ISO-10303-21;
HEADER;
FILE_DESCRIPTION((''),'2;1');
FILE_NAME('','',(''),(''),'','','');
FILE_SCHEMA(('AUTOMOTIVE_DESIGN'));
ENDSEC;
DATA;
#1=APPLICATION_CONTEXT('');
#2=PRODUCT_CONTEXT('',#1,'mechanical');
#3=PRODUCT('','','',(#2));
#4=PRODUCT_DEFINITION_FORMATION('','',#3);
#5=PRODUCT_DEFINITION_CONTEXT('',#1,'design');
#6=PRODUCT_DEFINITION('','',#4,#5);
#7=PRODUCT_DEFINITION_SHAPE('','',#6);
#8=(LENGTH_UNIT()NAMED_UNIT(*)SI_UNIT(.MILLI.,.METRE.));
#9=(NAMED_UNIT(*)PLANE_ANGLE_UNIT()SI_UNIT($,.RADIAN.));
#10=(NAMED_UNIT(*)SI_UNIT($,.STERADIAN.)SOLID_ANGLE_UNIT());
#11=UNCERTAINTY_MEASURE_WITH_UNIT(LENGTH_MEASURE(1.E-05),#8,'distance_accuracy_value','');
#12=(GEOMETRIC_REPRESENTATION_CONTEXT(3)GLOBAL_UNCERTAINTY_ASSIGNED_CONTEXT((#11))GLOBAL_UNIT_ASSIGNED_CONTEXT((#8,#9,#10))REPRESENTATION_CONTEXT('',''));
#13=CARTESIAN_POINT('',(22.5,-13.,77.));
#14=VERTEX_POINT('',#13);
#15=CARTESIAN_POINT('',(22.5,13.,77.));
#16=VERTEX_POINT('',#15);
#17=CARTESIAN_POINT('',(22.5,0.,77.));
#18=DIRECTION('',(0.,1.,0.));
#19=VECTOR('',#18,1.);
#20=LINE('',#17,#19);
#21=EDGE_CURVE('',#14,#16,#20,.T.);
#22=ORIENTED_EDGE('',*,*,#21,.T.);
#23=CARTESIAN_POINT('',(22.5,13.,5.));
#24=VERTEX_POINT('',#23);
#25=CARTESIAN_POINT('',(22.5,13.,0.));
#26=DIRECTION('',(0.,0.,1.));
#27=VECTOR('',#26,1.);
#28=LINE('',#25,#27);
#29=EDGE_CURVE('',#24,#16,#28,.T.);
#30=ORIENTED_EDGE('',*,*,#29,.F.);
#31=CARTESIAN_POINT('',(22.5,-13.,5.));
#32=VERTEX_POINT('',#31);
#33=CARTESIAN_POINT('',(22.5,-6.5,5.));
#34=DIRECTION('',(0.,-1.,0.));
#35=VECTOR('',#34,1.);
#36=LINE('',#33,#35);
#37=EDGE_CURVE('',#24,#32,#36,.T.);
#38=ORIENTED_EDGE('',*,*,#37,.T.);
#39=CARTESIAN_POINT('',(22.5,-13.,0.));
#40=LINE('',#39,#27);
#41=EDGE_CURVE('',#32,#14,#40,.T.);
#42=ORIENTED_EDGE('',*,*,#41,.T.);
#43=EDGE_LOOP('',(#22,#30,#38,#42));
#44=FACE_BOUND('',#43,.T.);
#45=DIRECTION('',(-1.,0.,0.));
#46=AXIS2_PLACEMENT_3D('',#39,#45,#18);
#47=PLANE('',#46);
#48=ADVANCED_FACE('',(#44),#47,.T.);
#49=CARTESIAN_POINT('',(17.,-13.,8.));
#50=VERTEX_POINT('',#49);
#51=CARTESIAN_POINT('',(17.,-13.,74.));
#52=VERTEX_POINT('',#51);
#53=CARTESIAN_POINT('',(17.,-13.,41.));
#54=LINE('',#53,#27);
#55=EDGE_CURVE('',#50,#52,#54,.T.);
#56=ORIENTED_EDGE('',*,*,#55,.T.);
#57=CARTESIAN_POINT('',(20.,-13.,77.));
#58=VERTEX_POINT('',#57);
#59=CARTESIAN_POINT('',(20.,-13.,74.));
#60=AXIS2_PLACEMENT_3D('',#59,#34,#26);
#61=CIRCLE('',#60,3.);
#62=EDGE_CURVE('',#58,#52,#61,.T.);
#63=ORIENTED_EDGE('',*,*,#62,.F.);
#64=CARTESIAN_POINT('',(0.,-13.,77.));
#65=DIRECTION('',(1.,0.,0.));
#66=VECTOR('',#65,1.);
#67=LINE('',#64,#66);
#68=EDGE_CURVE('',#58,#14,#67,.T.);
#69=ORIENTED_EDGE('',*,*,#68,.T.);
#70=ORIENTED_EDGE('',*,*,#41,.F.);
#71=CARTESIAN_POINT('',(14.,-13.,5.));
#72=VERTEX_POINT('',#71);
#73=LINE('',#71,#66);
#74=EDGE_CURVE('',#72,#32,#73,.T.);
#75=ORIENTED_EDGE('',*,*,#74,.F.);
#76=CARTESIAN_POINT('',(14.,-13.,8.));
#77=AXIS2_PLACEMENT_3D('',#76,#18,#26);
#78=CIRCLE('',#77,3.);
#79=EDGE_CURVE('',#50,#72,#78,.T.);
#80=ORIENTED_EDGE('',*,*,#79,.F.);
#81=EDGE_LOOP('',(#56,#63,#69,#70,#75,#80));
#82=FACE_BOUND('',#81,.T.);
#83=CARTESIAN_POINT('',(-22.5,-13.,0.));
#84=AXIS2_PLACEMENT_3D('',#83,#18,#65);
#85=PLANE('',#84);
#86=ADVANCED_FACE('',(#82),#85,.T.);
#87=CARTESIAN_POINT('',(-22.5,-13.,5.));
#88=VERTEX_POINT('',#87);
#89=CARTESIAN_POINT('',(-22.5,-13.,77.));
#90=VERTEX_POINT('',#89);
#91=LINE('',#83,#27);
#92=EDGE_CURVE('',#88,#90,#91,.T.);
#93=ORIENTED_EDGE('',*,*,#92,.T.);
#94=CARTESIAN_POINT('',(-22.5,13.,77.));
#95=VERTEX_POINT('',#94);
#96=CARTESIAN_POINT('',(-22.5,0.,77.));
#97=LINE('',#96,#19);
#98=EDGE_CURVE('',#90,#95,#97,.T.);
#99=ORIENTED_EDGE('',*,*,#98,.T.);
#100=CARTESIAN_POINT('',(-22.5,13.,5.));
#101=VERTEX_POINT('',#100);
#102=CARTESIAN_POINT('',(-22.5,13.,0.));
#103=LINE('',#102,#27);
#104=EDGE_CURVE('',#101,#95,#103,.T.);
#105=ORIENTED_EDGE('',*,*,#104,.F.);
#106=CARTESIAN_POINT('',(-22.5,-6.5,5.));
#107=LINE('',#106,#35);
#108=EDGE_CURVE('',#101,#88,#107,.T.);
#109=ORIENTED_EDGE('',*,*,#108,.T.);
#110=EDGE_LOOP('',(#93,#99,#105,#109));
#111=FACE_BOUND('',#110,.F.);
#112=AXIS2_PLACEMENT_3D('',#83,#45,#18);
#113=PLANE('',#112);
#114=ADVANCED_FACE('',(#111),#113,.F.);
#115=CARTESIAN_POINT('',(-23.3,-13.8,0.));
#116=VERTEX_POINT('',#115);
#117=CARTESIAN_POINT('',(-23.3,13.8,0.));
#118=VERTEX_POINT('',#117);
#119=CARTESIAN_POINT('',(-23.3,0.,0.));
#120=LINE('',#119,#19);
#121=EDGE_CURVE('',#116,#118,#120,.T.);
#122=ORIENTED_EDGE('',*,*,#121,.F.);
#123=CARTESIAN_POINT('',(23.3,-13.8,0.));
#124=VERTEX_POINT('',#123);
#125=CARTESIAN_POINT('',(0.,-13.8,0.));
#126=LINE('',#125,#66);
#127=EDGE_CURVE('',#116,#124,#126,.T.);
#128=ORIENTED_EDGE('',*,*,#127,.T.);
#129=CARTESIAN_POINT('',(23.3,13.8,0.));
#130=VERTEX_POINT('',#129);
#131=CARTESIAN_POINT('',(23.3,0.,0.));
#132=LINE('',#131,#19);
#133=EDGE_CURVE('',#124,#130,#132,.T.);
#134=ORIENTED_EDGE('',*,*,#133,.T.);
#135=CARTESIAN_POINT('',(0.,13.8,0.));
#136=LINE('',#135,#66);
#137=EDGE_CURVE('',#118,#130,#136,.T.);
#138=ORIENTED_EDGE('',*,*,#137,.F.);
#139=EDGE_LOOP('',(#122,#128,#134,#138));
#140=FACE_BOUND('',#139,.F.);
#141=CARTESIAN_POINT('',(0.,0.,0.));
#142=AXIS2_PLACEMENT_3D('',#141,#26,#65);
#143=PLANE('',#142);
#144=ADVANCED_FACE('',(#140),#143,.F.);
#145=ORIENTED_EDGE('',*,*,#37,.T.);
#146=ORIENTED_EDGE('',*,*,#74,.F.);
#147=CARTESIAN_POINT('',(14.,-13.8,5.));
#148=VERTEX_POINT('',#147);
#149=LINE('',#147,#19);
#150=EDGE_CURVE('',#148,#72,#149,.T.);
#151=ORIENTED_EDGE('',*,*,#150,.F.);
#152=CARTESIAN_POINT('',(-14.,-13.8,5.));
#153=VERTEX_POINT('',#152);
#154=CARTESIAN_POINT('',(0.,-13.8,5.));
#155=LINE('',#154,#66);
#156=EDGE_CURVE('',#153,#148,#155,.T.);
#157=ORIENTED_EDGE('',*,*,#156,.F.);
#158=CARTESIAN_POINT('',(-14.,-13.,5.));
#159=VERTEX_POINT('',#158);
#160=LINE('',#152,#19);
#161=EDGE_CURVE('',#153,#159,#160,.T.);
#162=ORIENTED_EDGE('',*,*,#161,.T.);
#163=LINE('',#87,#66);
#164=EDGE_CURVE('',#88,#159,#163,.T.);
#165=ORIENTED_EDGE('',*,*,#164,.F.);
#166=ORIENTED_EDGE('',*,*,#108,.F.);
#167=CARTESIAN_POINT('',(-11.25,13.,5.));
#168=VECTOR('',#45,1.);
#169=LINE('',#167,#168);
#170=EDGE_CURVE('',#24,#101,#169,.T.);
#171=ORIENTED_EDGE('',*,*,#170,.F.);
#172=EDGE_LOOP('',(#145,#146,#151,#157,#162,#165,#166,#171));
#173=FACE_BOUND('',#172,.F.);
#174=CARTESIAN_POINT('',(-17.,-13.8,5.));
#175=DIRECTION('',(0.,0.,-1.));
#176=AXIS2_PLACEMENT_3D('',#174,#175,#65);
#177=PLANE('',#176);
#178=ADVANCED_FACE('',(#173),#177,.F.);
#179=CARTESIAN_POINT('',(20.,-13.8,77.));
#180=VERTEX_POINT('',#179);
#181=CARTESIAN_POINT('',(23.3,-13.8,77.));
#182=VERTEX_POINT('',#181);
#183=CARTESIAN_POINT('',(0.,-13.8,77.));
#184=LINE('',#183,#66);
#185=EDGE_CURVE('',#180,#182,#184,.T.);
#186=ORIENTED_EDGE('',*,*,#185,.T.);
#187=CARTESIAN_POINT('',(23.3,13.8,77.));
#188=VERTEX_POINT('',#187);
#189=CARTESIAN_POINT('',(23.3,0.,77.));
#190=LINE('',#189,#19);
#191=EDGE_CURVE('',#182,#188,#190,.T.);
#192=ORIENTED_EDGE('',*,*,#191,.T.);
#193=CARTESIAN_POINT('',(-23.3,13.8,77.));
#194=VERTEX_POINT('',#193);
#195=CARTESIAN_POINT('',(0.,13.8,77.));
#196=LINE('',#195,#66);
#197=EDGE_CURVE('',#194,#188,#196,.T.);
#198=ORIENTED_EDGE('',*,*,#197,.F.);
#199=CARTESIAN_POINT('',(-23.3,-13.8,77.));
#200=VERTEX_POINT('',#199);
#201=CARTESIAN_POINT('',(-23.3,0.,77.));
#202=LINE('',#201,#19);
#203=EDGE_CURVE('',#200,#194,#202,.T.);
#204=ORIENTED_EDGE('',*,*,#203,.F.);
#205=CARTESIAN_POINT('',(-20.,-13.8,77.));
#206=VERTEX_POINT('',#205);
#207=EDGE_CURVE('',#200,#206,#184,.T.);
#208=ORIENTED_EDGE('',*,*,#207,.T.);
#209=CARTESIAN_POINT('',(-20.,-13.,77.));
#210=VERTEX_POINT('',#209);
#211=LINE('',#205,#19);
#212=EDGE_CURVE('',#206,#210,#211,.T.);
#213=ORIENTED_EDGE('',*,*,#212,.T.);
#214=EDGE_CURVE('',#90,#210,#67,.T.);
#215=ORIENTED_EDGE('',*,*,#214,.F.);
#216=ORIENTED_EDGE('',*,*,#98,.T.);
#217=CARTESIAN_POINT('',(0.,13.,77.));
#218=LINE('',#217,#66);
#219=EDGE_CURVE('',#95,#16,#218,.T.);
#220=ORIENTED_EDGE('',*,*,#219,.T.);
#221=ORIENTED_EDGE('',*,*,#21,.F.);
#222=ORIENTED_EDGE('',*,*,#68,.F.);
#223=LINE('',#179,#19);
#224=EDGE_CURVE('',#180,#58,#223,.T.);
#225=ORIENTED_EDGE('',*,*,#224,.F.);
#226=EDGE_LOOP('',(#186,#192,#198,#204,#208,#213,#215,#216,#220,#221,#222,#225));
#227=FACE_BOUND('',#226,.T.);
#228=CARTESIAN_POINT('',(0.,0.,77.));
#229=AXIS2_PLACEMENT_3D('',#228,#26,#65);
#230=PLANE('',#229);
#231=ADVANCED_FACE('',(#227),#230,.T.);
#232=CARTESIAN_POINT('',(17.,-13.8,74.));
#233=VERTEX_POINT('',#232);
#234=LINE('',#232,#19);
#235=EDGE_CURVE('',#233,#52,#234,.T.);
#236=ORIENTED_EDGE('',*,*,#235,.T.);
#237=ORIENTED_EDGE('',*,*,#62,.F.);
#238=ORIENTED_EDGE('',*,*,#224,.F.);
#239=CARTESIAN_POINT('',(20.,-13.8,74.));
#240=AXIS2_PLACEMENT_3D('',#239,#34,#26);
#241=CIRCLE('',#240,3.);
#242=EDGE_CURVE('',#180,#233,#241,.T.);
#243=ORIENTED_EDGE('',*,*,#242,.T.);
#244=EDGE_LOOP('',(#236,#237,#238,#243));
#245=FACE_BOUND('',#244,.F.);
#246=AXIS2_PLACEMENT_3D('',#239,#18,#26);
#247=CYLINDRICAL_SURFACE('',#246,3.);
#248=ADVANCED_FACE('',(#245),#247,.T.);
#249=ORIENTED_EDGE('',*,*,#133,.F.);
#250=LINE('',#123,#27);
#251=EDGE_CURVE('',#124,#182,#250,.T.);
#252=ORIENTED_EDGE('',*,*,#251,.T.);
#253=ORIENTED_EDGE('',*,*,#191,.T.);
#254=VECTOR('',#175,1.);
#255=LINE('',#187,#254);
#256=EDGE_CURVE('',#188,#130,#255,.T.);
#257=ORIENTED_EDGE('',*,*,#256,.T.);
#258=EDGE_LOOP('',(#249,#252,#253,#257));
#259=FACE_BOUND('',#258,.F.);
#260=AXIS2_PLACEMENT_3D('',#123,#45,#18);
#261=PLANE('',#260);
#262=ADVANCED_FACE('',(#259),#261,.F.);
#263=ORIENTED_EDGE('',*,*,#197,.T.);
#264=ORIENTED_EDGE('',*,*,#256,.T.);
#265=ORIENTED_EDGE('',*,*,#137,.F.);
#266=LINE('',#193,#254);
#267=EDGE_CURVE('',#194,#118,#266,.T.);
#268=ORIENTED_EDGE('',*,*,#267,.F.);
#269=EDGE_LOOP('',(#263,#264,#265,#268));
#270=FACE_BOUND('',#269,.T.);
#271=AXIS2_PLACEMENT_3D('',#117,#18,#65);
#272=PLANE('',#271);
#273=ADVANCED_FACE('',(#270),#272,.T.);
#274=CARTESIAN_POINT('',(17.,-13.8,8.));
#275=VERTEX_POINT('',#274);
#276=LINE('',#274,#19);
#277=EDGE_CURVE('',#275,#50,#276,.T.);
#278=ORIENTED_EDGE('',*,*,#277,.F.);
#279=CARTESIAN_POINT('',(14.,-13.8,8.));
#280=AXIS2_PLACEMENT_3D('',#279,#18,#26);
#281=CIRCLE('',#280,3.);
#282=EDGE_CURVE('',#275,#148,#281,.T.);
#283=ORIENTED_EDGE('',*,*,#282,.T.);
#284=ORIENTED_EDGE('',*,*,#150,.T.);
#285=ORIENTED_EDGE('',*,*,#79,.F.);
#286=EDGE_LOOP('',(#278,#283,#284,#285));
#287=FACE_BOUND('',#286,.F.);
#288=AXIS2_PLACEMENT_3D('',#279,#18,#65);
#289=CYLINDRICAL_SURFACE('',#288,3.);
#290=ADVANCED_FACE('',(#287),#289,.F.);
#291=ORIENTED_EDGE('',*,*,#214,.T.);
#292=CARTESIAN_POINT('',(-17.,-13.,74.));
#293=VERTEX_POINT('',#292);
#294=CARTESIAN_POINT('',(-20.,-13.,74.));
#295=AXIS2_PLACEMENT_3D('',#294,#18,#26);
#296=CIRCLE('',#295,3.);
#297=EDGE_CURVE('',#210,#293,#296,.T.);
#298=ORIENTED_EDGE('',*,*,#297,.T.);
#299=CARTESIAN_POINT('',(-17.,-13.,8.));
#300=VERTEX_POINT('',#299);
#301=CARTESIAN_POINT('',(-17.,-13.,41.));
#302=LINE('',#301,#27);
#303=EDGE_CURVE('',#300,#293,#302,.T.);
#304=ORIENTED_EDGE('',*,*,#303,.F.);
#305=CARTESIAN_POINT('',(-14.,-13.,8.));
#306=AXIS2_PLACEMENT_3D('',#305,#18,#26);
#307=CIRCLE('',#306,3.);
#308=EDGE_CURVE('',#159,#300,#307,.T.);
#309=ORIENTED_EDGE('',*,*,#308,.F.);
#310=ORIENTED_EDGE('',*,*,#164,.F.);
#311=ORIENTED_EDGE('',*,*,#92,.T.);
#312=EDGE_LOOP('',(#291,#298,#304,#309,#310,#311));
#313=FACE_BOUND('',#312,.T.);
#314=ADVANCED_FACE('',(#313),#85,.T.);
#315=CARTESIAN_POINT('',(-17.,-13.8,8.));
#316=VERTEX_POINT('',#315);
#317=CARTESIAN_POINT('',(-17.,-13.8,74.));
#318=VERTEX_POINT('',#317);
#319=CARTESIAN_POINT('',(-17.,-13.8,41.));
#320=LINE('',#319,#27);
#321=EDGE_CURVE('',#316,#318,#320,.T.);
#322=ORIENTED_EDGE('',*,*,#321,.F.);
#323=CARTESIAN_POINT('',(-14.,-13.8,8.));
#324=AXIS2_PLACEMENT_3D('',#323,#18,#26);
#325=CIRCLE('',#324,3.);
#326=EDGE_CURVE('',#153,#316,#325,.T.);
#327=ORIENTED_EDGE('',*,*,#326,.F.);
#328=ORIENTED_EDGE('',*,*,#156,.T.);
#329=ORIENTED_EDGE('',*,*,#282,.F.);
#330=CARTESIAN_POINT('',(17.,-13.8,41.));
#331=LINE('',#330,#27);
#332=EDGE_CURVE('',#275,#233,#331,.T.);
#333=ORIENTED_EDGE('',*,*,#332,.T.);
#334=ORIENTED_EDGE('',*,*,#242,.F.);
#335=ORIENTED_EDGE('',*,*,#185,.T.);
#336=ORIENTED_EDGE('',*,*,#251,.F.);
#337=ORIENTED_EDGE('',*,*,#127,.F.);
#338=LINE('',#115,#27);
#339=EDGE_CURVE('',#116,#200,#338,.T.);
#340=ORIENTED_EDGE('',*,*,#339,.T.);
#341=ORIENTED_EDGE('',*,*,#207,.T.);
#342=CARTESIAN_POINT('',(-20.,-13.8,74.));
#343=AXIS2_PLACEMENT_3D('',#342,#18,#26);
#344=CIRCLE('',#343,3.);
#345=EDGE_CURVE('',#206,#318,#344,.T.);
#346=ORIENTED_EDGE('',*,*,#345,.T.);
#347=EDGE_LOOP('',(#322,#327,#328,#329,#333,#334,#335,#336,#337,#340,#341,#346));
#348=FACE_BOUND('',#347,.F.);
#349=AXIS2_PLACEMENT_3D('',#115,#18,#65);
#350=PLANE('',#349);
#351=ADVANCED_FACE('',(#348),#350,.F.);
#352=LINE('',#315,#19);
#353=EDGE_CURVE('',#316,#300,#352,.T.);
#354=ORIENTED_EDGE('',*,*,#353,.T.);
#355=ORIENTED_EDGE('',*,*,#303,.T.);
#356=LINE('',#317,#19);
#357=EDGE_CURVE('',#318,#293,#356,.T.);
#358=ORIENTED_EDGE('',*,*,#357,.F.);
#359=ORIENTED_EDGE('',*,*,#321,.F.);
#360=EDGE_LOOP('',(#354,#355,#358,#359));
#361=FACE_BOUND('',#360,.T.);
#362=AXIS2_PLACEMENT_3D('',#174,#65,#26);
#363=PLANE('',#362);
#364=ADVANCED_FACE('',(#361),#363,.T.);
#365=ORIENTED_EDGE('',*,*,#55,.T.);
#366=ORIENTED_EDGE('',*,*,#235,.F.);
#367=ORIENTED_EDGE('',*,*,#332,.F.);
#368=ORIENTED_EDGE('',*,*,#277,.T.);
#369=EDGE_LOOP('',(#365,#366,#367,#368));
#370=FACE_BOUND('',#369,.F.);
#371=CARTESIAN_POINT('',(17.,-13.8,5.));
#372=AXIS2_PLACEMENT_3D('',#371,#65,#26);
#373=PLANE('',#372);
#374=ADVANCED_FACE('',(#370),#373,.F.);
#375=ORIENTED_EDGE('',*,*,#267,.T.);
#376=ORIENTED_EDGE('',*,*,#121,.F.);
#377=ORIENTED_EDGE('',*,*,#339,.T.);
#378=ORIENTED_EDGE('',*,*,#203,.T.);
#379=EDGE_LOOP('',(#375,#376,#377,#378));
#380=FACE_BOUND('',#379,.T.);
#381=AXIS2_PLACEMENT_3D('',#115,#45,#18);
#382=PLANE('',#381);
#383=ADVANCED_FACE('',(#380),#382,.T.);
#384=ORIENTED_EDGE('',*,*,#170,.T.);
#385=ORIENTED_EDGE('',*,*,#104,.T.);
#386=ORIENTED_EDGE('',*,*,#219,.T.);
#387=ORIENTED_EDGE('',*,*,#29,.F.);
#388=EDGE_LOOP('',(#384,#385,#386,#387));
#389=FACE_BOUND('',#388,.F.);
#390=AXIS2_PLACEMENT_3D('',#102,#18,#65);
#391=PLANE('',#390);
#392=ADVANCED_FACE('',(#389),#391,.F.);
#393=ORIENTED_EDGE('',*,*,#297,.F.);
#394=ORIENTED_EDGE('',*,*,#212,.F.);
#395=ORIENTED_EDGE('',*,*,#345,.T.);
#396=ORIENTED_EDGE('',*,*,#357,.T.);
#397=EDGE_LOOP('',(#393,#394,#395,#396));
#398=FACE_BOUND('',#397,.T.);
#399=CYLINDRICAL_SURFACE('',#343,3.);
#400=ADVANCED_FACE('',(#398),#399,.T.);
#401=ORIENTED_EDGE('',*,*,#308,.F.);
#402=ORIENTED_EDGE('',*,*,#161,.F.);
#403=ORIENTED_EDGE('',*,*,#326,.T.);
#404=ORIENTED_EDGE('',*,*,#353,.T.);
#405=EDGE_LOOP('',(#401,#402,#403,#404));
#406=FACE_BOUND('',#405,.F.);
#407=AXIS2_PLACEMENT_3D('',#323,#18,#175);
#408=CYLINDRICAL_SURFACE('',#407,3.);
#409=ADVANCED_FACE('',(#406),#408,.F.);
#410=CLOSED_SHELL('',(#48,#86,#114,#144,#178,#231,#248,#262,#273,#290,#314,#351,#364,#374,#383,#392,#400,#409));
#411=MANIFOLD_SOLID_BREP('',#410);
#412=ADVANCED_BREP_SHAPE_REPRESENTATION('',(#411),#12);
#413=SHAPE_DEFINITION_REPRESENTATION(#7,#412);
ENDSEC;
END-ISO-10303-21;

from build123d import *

# Parameters (mm, degrees)
F0_W     = 46.6
F0_H     = 27.6
F0_W_2   = 45
F0_H_2   = 26
F1_DEPTH = 77
F2_W     = 46.6
F2_H     = 27.6
F3_DEPTH = 5
F4_W     = 34
F4_H     = 72
F5_DEPTH = 0.8
F6_R     = 3


with BuildPart() as f1:
    # F0 (on Top) → F1 (new body)
    with BuildSketch(Plane.XY):
        Rectangle(F0_W, F0_H)
        Rectangle(F0_W_2, F0_H_2, mode=Mode.SUBTRACT)
    extrude(amount=F1_DEPTH)

    # F2 (on face) → F3 (join)
    with BuildSketch(Plane(origin=(0, 0, 0), x_dir=(1, 0, 0), z_dir=(0, 0, -1))):
        Rectangle(F2_W, F2_H)
    extrude(amount=-F3_DEPTH)

    # F4 (on face) → F5 (cut, through all)
    with BuildSketch(Plane.XZ.offset(13.8)):
        with Locations((0, 41)):
            Rectangle(F4_W, F4_H)
    extrude(amount=-F5_DEPTH, mode=Mode.SUBTRACT)

    # F6
    f6_edges = [f1.edges().sort_by_distance(p)[0] for p in [
        (-17, -13.4, 77),
        (17, -13.4, 77),
        (-17, -13.4, 5),
        (17, -13.4, 5),
    ]]
    fillet(f6_edges, radius=F6_R)


solid = f1.part
